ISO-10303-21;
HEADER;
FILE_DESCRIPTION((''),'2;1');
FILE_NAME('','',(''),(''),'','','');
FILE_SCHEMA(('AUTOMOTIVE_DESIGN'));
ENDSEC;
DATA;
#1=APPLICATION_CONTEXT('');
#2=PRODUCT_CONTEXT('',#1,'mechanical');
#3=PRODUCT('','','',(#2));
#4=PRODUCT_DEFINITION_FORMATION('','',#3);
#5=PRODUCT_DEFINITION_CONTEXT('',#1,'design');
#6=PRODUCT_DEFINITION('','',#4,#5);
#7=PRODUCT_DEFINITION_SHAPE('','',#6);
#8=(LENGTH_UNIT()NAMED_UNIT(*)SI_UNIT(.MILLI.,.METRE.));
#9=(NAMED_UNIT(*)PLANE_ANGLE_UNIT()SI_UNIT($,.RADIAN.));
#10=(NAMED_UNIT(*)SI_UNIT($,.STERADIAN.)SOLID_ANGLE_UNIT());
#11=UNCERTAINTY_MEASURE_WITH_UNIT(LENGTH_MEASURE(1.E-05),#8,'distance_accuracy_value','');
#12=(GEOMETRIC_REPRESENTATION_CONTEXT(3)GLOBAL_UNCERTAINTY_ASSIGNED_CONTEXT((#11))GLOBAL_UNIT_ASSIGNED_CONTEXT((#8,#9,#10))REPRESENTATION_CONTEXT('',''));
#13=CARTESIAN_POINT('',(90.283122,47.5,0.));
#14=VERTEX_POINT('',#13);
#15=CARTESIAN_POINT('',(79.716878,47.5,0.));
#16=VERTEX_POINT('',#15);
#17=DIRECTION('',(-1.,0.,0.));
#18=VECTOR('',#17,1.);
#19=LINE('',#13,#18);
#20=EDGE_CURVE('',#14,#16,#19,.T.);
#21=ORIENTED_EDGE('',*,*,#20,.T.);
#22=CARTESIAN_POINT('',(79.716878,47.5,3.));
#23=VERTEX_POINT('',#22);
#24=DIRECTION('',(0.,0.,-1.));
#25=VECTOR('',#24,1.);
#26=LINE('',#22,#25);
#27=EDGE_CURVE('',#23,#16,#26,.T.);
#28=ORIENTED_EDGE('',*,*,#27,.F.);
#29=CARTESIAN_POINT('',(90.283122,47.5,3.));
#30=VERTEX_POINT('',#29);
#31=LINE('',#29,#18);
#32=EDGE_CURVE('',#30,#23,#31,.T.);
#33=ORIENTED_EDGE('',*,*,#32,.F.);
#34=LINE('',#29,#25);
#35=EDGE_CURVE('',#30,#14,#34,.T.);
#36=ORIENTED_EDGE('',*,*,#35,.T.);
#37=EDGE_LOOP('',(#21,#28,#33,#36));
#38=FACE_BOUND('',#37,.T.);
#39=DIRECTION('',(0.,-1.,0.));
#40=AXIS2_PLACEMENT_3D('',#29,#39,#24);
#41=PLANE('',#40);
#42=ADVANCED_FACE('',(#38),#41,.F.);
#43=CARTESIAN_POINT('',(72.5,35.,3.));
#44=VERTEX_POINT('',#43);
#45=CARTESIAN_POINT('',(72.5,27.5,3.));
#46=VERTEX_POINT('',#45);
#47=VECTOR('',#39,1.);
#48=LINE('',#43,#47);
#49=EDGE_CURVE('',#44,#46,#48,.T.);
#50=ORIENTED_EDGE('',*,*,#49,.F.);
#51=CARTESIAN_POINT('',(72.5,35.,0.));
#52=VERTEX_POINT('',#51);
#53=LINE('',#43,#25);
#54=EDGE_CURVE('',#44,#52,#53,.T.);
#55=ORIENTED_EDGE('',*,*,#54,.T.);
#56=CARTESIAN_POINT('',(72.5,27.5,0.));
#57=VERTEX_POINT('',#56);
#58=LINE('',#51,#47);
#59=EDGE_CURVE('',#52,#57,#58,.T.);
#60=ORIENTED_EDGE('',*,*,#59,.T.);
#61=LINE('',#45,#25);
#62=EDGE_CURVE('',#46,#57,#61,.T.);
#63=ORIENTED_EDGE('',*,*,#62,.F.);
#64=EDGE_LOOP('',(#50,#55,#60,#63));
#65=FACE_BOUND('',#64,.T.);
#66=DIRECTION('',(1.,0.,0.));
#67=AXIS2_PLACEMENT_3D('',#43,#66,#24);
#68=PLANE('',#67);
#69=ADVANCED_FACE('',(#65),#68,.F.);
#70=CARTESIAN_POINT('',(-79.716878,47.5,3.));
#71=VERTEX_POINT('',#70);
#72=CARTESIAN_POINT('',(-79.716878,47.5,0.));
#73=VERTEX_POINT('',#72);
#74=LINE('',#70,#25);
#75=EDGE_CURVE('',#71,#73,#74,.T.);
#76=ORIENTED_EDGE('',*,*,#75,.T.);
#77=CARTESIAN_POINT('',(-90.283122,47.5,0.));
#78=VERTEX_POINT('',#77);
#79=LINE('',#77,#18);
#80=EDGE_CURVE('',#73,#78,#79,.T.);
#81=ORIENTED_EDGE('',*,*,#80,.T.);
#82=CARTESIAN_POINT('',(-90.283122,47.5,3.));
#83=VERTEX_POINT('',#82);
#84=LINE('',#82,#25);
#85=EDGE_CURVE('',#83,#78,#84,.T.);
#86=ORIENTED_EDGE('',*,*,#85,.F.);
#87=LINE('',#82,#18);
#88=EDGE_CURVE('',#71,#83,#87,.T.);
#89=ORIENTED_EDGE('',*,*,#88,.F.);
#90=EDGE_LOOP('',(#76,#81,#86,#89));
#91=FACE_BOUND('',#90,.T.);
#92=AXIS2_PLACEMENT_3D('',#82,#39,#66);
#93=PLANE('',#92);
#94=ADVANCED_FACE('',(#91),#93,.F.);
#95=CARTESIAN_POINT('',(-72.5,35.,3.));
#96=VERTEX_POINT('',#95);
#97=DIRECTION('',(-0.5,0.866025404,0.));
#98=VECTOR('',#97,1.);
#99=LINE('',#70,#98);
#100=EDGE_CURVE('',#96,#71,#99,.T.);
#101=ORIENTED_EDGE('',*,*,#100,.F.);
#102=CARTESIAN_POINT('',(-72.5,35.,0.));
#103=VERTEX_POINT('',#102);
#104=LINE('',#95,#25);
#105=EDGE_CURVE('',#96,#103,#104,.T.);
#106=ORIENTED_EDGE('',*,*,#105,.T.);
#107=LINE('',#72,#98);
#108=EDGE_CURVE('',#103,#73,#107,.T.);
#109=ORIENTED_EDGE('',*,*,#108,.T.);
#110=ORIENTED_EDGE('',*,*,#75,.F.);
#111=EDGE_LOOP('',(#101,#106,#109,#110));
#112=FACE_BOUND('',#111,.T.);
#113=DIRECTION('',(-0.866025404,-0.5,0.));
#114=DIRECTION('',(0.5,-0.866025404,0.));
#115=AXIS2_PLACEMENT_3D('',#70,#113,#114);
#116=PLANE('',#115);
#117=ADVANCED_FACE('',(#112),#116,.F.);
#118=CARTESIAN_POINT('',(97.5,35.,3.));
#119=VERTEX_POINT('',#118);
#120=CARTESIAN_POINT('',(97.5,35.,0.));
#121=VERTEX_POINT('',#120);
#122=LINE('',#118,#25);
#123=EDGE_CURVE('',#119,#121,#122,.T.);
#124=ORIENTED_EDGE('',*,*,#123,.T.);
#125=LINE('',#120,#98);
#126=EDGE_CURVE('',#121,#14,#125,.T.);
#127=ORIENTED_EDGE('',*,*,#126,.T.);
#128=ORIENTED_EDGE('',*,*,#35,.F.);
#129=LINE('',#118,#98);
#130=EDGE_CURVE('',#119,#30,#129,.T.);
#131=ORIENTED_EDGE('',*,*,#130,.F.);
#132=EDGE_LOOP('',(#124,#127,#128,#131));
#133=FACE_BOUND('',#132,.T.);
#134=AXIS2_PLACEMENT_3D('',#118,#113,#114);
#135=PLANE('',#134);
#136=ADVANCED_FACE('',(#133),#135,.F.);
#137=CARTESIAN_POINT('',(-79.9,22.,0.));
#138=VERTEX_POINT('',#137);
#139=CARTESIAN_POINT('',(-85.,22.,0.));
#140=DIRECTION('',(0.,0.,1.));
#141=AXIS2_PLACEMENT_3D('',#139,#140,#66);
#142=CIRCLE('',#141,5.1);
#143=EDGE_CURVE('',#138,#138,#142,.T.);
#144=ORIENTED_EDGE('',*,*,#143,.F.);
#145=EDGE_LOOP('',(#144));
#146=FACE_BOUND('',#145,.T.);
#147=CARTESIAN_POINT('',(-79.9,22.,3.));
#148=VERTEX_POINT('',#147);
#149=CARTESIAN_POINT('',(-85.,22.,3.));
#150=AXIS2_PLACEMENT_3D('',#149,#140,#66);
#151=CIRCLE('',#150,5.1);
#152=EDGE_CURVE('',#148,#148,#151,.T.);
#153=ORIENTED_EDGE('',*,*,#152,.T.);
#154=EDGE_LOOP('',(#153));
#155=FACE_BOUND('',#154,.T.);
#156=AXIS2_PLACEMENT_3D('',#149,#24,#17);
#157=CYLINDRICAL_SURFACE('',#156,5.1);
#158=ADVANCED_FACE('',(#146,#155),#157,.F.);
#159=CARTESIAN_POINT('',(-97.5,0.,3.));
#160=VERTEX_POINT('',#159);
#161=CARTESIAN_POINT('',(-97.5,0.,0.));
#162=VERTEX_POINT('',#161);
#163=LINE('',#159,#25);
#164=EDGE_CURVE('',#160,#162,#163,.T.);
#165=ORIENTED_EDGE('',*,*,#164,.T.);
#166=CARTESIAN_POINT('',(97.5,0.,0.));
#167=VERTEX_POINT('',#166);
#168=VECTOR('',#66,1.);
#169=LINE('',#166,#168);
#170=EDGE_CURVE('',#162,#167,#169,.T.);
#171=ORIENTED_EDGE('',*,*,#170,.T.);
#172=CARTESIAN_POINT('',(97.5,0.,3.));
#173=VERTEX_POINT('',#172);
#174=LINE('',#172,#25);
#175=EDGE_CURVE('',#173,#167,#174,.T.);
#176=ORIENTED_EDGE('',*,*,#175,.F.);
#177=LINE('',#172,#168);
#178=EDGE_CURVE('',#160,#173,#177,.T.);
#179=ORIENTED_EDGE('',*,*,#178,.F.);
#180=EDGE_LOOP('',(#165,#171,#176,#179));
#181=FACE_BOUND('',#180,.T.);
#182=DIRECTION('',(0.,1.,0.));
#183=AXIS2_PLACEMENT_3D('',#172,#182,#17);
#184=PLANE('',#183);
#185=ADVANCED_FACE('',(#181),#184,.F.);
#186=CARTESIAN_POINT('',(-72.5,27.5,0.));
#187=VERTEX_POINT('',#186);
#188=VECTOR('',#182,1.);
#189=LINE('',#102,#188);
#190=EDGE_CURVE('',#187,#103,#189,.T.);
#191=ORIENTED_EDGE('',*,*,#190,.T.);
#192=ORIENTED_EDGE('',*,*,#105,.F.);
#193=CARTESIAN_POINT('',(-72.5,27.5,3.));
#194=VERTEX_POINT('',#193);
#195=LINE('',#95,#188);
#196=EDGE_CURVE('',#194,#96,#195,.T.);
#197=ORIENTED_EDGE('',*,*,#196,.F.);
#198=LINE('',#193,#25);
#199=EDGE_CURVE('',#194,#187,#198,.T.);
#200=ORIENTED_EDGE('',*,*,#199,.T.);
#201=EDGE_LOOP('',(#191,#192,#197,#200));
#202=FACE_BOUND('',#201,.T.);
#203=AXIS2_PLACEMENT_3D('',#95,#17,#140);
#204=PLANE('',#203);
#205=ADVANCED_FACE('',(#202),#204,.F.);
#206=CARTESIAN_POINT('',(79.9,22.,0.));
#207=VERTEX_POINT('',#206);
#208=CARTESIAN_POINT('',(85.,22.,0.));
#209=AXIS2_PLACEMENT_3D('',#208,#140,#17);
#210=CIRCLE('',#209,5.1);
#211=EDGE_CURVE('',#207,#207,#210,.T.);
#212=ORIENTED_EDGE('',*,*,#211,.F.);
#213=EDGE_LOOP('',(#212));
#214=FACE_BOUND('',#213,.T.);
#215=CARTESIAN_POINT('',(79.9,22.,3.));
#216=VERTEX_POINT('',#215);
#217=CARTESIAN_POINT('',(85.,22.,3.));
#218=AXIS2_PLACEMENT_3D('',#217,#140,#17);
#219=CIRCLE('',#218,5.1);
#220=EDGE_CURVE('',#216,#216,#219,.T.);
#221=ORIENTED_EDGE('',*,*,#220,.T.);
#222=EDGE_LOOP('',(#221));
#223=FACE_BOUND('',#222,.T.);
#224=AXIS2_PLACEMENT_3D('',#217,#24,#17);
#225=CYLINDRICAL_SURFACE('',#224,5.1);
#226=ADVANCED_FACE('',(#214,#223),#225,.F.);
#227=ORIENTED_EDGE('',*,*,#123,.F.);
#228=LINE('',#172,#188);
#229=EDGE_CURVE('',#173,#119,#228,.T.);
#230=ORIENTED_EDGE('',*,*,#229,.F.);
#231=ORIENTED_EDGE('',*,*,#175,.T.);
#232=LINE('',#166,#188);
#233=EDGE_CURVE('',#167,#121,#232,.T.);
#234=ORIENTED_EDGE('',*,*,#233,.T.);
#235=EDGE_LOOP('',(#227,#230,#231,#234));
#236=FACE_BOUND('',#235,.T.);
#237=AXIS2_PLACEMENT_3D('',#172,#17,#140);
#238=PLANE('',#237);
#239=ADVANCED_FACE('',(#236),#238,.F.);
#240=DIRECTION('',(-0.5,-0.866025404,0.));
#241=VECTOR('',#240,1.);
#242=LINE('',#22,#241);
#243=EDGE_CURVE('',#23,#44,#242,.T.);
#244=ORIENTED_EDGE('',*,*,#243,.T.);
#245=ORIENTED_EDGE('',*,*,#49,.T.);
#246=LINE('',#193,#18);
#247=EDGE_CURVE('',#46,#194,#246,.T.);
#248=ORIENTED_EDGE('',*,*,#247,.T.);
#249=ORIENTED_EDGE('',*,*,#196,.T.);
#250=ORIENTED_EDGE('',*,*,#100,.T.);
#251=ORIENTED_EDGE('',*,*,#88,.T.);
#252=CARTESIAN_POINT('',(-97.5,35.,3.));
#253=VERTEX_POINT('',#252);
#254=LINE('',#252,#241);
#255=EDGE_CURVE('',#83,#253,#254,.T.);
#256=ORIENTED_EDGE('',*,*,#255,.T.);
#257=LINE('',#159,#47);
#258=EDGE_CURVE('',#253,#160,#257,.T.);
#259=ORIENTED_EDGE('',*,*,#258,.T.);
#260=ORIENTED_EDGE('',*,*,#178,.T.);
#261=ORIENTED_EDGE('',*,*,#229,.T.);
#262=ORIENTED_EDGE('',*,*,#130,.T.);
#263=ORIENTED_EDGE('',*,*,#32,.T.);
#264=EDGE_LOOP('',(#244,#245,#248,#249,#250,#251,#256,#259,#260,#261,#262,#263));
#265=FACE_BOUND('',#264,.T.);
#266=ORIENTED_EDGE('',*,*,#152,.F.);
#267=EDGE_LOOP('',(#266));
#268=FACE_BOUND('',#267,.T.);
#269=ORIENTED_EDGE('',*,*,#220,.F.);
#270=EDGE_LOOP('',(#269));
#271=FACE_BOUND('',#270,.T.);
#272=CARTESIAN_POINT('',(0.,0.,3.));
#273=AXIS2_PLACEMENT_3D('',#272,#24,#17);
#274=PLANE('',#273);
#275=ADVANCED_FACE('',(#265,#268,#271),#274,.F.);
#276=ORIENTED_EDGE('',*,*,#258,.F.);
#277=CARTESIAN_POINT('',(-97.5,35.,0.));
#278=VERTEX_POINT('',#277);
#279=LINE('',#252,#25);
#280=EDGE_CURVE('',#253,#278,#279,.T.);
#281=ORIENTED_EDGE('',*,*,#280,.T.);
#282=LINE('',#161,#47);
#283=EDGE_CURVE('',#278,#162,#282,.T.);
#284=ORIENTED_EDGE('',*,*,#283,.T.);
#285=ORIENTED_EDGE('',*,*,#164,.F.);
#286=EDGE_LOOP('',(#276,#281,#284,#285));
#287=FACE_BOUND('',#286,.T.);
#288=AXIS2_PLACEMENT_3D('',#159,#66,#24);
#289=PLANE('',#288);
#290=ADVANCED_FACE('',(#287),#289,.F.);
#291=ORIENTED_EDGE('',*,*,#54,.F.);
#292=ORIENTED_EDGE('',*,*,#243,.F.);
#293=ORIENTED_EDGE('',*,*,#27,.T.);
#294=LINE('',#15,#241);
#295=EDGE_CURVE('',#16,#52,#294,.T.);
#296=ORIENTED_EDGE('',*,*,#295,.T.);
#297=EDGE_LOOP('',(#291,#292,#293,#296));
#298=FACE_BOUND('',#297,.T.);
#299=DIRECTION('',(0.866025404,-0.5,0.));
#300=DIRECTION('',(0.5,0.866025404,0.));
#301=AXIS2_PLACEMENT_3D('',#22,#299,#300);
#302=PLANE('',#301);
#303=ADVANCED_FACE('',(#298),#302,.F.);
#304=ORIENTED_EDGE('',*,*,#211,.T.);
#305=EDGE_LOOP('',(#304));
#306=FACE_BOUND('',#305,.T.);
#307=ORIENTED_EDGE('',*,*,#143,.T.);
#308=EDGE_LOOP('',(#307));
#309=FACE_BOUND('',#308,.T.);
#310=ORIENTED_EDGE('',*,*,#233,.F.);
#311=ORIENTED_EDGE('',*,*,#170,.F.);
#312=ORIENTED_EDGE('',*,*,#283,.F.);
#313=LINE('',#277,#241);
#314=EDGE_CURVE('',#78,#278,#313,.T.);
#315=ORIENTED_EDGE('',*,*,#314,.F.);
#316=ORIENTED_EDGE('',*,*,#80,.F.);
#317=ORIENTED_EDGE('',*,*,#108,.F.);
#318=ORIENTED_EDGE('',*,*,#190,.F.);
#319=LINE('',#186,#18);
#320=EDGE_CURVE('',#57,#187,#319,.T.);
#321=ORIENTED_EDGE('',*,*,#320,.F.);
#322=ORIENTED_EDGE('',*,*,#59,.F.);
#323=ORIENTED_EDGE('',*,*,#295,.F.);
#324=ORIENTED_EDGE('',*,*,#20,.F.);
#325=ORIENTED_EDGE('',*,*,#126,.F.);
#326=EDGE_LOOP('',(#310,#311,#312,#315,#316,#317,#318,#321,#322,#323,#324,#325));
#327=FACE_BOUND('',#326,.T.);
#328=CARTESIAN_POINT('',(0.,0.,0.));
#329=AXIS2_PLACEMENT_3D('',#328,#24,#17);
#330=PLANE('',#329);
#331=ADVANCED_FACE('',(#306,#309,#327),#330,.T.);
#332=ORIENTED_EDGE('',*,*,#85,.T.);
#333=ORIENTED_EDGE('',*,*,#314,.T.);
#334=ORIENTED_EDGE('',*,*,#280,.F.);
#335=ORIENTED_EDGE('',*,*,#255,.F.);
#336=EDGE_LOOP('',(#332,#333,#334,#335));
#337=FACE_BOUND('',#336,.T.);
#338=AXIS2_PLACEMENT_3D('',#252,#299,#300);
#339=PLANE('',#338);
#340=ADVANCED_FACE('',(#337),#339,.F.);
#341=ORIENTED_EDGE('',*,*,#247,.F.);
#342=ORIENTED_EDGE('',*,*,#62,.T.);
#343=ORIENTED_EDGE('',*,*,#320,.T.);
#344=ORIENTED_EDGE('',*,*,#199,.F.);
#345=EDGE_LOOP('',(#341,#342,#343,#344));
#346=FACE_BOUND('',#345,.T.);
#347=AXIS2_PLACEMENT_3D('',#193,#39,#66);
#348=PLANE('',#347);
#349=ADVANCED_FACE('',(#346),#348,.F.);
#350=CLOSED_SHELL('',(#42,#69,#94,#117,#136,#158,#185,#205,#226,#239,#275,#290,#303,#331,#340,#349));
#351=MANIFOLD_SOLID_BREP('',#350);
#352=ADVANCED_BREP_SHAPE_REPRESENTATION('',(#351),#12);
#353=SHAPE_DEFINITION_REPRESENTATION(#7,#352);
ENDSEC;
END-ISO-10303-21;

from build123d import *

# Parameters (mm, degrees)
SZKIC1_R                    = 5.1
DODANIE_WYCI_GNI_CIE1_DEPTH = 3


with BuildPart() as part:
    # Szkic1 → Dodanie-wyciągnięcie1 (new body)
    with BuildSketch(Plane.XY):
        Polygon((97.5, 0), (-97.5, 0), (-97.5, 35), (-90.283121635, 47.5), (-79.716878365, 47.5), (-72.5, 35), (-72.5, 27.5), (72.5, 27.5), (72.5, 35), (79.716878365, 47.5), (90.283121635, 47.5), (97.5, 35), align=None)
        with Locations((-85, 22)):
            Circle(SZKIC1_R, mode=Mode.SUBTRACT)
        with Locations(Location((85, 22, 0), (0, 0, 180))):
            Circle(SZKIC1_R, mode=Mode.SUBTRACT)
    extrude(amount=DODANIE_WYCI_GNI_CIE1_DEPTH)


solid = part.part
